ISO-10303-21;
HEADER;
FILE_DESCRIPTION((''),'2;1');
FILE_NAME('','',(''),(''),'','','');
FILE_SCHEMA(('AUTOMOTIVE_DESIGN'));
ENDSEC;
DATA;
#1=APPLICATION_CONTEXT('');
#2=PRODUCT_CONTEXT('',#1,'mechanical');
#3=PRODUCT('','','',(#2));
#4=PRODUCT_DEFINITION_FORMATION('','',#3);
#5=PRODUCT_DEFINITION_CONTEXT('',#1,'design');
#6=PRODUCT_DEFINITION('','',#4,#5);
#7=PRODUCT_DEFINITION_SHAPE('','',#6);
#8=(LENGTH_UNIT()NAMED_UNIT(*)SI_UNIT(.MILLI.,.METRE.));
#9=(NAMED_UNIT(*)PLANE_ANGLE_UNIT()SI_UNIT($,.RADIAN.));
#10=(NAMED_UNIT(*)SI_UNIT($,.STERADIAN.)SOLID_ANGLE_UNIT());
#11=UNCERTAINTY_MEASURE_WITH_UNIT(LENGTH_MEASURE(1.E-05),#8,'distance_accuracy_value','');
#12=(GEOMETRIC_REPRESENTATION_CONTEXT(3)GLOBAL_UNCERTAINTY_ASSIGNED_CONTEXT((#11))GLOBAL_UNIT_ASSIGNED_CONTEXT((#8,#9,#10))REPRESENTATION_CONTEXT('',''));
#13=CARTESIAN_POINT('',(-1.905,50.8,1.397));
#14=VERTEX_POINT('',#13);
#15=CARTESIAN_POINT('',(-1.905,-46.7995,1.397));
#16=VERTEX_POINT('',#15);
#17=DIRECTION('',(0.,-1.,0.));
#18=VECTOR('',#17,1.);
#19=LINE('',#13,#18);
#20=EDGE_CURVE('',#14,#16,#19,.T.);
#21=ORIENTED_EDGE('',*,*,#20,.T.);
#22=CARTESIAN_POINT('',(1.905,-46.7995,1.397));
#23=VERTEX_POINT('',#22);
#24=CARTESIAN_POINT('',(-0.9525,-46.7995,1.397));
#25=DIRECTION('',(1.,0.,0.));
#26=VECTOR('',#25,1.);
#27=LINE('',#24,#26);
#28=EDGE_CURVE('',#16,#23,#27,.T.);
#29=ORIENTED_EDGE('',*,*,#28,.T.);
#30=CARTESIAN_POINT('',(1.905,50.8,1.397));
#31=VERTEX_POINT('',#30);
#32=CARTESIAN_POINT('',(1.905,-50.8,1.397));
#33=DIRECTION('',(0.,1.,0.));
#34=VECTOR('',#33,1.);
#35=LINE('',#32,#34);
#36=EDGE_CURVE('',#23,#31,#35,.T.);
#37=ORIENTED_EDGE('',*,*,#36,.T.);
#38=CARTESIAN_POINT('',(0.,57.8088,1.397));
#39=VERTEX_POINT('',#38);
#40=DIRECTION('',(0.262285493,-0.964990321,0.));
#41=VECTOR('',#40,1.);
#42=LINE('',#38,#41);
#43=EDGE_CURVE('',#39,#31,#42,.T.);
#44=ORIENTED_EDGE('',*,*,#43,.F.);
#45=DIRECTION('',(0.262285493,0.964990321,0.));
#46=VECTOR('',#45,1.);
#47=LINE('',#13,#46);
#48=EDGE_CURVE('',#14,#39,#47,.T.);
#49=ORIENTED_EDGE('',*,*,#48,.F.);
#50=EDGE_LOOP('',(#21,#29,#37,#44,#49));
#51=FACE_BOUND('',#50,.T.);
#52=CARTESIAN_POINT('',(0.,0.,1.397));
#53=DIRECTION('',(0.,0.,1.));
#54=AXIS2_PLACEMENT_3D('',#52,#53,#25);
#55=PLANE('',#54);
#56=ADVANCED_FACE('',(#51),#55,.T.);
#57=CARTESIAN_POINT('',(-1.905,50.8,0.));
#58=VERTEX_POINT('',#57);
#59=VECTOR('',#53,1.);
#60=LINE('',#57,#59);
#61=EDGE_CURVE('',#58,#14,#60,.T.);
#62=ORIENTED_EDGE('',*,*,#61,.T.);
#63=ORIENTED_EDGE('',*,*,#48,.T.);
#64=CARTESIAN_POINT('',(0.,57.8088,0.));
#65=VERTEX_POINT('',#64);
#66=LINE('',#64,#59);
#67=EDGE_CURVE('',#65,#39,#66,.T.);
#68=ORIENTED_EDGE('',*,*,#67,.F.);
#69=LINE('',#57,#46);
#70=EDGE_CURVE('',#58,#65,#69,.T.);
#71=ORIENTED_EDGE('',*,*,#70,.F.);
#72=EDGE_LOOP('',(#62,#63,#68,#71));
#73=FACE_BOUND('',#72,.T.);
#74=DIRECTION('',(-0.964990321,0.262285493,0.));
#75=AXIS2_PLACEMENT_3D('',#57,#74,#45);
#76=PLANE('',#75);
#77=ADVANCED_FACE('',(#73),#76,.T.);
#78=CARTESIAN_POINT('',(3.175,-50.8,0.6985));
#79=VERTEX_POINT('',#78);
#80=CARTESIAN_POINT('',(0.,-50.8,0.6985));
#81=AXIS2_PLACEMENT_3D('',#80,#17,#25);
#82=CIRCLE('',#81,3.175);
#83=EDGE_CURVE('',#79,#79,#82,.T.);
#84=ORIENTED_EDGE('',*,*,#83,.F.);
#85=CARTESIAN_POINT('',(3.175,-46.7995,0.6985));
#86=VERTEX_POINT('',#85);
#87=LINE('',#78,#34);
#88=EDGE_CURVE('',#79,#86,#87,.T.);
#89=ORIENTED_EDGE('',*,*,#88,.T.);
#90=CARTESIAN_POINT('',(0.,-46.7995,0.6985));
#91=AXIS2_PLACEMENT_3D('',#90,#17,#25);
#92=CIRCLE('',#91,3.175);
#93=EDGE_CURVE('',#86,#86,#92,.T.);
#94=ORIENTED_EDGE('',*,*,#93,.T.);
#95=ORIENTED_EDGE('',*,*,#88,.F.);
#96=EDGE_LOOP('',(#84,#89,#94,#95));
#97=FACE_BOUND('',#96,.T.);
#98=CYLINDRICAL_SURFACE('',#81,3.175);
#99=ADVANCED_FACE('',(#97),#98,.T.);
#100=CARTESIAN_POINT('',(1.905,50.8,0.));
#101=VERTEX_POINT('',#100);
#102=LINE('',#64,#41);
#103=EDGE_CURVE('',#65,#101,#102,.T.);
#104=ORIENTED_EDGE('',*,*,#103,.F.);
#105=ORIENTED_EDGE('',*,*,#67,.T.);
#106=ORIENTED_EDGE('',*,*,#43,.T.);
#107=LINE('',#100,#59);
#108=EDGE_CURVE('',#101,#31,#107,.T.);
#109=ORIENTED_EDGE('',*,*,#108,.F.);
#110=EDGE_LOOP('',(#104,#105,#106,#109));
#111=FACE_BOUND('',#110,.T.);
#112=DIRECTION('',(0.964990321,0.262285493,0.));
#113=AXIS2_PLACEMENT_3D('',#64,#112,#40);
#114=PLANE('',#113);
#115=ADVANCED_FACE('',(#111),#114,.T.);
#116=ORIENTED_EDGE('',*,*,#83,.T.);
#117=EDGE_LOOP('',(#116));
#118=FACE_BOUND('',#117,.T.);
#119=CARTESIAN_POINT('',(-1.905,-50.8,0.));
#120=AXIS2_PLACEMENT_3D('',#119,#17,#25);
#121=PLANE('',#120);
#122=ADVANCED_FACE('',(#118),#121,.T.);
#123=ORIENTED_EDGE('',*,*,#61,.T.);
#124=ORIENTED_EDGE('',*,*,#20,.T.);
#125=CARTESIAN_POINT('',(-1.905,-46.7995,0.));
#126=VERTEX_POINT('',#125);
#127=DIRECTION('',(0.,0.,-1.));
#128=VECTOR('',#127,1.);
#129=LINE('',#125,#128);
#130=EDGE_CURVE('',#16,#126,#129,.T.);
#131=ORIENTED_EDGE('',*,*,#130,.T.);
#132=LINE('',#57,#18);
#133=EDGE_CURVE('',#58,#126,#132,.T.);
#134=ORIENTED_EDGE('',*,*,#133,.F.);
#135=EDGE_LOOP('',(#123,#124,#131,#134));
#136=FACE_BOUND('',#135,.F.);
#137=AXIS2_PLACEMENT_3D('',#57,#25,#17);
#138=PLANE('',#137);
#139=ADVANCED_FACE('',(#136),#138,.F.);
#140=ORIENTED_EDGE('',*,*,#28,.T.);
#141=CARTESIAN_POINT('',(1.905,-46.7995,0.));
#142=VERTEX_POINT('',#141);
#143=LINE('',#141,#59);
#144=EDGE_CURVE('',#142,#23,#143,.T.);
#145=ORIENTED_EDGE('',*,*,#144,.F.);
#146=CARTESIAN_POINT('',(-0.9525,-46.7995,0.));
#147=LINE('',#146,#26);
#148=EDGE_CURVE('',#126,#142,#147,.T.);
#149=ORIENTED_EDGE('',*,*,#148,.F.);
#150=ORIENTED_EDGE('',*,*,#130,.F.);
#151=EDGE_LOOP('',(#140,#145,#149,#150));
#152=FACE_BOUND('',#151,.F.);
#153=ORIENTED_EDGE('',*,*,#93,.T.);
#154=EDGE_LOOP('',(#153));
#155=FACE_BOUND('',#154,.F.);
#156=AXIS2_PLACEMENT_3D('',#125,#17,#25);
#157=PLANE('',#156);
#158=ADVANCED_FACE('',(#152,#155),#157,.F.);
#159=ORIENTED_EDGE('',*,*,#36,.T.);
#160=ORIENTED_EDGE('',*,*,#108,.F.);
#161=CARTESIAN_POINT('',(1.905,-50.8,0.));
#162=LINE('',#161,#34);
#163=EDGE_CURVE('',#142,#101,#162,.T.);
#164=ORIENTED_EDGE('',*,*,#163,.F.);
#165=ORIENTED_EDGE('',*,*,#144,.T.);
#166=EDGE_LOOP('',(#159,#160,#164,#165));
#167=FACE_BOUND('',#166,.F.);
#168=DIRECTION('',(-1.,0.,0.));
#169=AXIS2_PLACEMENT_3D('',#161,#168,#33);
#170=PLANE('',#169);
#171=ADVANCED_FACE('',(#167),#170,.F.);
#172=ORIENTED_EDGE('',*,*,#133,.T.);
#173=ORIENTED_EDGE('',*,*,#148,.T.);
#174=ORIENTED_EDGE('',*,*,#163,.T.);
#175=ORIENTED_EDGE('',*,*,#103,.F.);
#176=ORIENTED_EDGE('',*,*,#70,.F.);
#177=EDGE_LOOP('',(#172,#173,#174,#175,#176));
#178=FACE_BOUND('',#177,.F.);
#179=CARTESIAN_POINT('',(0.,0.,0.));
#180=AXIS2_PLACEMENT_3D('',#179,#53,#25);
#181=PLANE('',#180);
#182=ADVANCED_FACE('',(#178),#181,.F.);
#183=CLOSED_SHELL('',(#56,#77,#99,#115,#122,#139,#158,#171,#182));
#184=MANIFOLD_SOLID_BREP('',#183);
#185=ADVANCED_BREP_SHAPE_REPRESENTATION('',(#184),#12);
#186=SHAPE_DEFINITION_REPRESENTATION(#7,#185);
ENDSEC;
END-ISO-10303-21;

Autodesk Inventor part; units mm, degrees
ref_plane "YZ Plane" through (0, 0, 0) normal (1, 0, 0) x (0, 1, 0)
sketch "Sketch1" plane through (0, 0, 0) normal (0, 0, 1) x (1, 0, 0)
  line L0 (-1.905, -50.8) -> (1.905, -50.8)
  line L1 (1.905, -50.8) -> (1.905, 50.8)
  line L2 (1.905, 50.8) -> (-1.905, 50.8) construction
  line L3 (-1.905, 50.8) -> (-1.905, -50.8)
  line L4 (-1.905, -50.8) -> (1.905, 50.8) construction
  line L5 (1.905, -50.8) -> (-1.905, 50.8) construction
  line L6 (-1.905, 50.8) -> (0, 57.8088)
  line L7 (0, 57.8088) -> (1.905, 50.8)
  line L8 (0, 50.8) -> (0, 57.8088) construction
  point P0 (0, 0)
  dimension "d0" = 3.81
  dimension "d1" = 101.6
extrude "Extrusion1" add sketch "Sketch1" along normal blind 1.397
sketch "Sketch2" plane through (-1.905, -50.8, 0) normal (0, -1, 0) x (1, 0, 0)
  line L0 (0, 0) -> (3.81, 1.397) construction
  line L1 (3.81, 1.397) -> (3.81, 0) construction
  line L2 (3.81, 0) -> (0, 1.397) construction
  circle A0 centre (1.905, 0.6985) radius 3.175
  point P0 (1.905, 0)
  dimension "d4" = 6.35
extrude "Extrusion2" add sketch "Sketch2" against normal blind 4.0005
ref_plane "Work Plane1" through (0, -48.7997, 0.6985) normal (0, 1, 0) x (1, 0, 0)
ref_plane "Work Plane2" through (0, -50.8, 0.6985) normal (0, -1, 0) x (1, 0, 0)
ref_plane "Work Plane3" through (0, 0, 0.6985) normal (0, 0, 1) x (1, 0, 0)
properties part number "Zip tie start"
